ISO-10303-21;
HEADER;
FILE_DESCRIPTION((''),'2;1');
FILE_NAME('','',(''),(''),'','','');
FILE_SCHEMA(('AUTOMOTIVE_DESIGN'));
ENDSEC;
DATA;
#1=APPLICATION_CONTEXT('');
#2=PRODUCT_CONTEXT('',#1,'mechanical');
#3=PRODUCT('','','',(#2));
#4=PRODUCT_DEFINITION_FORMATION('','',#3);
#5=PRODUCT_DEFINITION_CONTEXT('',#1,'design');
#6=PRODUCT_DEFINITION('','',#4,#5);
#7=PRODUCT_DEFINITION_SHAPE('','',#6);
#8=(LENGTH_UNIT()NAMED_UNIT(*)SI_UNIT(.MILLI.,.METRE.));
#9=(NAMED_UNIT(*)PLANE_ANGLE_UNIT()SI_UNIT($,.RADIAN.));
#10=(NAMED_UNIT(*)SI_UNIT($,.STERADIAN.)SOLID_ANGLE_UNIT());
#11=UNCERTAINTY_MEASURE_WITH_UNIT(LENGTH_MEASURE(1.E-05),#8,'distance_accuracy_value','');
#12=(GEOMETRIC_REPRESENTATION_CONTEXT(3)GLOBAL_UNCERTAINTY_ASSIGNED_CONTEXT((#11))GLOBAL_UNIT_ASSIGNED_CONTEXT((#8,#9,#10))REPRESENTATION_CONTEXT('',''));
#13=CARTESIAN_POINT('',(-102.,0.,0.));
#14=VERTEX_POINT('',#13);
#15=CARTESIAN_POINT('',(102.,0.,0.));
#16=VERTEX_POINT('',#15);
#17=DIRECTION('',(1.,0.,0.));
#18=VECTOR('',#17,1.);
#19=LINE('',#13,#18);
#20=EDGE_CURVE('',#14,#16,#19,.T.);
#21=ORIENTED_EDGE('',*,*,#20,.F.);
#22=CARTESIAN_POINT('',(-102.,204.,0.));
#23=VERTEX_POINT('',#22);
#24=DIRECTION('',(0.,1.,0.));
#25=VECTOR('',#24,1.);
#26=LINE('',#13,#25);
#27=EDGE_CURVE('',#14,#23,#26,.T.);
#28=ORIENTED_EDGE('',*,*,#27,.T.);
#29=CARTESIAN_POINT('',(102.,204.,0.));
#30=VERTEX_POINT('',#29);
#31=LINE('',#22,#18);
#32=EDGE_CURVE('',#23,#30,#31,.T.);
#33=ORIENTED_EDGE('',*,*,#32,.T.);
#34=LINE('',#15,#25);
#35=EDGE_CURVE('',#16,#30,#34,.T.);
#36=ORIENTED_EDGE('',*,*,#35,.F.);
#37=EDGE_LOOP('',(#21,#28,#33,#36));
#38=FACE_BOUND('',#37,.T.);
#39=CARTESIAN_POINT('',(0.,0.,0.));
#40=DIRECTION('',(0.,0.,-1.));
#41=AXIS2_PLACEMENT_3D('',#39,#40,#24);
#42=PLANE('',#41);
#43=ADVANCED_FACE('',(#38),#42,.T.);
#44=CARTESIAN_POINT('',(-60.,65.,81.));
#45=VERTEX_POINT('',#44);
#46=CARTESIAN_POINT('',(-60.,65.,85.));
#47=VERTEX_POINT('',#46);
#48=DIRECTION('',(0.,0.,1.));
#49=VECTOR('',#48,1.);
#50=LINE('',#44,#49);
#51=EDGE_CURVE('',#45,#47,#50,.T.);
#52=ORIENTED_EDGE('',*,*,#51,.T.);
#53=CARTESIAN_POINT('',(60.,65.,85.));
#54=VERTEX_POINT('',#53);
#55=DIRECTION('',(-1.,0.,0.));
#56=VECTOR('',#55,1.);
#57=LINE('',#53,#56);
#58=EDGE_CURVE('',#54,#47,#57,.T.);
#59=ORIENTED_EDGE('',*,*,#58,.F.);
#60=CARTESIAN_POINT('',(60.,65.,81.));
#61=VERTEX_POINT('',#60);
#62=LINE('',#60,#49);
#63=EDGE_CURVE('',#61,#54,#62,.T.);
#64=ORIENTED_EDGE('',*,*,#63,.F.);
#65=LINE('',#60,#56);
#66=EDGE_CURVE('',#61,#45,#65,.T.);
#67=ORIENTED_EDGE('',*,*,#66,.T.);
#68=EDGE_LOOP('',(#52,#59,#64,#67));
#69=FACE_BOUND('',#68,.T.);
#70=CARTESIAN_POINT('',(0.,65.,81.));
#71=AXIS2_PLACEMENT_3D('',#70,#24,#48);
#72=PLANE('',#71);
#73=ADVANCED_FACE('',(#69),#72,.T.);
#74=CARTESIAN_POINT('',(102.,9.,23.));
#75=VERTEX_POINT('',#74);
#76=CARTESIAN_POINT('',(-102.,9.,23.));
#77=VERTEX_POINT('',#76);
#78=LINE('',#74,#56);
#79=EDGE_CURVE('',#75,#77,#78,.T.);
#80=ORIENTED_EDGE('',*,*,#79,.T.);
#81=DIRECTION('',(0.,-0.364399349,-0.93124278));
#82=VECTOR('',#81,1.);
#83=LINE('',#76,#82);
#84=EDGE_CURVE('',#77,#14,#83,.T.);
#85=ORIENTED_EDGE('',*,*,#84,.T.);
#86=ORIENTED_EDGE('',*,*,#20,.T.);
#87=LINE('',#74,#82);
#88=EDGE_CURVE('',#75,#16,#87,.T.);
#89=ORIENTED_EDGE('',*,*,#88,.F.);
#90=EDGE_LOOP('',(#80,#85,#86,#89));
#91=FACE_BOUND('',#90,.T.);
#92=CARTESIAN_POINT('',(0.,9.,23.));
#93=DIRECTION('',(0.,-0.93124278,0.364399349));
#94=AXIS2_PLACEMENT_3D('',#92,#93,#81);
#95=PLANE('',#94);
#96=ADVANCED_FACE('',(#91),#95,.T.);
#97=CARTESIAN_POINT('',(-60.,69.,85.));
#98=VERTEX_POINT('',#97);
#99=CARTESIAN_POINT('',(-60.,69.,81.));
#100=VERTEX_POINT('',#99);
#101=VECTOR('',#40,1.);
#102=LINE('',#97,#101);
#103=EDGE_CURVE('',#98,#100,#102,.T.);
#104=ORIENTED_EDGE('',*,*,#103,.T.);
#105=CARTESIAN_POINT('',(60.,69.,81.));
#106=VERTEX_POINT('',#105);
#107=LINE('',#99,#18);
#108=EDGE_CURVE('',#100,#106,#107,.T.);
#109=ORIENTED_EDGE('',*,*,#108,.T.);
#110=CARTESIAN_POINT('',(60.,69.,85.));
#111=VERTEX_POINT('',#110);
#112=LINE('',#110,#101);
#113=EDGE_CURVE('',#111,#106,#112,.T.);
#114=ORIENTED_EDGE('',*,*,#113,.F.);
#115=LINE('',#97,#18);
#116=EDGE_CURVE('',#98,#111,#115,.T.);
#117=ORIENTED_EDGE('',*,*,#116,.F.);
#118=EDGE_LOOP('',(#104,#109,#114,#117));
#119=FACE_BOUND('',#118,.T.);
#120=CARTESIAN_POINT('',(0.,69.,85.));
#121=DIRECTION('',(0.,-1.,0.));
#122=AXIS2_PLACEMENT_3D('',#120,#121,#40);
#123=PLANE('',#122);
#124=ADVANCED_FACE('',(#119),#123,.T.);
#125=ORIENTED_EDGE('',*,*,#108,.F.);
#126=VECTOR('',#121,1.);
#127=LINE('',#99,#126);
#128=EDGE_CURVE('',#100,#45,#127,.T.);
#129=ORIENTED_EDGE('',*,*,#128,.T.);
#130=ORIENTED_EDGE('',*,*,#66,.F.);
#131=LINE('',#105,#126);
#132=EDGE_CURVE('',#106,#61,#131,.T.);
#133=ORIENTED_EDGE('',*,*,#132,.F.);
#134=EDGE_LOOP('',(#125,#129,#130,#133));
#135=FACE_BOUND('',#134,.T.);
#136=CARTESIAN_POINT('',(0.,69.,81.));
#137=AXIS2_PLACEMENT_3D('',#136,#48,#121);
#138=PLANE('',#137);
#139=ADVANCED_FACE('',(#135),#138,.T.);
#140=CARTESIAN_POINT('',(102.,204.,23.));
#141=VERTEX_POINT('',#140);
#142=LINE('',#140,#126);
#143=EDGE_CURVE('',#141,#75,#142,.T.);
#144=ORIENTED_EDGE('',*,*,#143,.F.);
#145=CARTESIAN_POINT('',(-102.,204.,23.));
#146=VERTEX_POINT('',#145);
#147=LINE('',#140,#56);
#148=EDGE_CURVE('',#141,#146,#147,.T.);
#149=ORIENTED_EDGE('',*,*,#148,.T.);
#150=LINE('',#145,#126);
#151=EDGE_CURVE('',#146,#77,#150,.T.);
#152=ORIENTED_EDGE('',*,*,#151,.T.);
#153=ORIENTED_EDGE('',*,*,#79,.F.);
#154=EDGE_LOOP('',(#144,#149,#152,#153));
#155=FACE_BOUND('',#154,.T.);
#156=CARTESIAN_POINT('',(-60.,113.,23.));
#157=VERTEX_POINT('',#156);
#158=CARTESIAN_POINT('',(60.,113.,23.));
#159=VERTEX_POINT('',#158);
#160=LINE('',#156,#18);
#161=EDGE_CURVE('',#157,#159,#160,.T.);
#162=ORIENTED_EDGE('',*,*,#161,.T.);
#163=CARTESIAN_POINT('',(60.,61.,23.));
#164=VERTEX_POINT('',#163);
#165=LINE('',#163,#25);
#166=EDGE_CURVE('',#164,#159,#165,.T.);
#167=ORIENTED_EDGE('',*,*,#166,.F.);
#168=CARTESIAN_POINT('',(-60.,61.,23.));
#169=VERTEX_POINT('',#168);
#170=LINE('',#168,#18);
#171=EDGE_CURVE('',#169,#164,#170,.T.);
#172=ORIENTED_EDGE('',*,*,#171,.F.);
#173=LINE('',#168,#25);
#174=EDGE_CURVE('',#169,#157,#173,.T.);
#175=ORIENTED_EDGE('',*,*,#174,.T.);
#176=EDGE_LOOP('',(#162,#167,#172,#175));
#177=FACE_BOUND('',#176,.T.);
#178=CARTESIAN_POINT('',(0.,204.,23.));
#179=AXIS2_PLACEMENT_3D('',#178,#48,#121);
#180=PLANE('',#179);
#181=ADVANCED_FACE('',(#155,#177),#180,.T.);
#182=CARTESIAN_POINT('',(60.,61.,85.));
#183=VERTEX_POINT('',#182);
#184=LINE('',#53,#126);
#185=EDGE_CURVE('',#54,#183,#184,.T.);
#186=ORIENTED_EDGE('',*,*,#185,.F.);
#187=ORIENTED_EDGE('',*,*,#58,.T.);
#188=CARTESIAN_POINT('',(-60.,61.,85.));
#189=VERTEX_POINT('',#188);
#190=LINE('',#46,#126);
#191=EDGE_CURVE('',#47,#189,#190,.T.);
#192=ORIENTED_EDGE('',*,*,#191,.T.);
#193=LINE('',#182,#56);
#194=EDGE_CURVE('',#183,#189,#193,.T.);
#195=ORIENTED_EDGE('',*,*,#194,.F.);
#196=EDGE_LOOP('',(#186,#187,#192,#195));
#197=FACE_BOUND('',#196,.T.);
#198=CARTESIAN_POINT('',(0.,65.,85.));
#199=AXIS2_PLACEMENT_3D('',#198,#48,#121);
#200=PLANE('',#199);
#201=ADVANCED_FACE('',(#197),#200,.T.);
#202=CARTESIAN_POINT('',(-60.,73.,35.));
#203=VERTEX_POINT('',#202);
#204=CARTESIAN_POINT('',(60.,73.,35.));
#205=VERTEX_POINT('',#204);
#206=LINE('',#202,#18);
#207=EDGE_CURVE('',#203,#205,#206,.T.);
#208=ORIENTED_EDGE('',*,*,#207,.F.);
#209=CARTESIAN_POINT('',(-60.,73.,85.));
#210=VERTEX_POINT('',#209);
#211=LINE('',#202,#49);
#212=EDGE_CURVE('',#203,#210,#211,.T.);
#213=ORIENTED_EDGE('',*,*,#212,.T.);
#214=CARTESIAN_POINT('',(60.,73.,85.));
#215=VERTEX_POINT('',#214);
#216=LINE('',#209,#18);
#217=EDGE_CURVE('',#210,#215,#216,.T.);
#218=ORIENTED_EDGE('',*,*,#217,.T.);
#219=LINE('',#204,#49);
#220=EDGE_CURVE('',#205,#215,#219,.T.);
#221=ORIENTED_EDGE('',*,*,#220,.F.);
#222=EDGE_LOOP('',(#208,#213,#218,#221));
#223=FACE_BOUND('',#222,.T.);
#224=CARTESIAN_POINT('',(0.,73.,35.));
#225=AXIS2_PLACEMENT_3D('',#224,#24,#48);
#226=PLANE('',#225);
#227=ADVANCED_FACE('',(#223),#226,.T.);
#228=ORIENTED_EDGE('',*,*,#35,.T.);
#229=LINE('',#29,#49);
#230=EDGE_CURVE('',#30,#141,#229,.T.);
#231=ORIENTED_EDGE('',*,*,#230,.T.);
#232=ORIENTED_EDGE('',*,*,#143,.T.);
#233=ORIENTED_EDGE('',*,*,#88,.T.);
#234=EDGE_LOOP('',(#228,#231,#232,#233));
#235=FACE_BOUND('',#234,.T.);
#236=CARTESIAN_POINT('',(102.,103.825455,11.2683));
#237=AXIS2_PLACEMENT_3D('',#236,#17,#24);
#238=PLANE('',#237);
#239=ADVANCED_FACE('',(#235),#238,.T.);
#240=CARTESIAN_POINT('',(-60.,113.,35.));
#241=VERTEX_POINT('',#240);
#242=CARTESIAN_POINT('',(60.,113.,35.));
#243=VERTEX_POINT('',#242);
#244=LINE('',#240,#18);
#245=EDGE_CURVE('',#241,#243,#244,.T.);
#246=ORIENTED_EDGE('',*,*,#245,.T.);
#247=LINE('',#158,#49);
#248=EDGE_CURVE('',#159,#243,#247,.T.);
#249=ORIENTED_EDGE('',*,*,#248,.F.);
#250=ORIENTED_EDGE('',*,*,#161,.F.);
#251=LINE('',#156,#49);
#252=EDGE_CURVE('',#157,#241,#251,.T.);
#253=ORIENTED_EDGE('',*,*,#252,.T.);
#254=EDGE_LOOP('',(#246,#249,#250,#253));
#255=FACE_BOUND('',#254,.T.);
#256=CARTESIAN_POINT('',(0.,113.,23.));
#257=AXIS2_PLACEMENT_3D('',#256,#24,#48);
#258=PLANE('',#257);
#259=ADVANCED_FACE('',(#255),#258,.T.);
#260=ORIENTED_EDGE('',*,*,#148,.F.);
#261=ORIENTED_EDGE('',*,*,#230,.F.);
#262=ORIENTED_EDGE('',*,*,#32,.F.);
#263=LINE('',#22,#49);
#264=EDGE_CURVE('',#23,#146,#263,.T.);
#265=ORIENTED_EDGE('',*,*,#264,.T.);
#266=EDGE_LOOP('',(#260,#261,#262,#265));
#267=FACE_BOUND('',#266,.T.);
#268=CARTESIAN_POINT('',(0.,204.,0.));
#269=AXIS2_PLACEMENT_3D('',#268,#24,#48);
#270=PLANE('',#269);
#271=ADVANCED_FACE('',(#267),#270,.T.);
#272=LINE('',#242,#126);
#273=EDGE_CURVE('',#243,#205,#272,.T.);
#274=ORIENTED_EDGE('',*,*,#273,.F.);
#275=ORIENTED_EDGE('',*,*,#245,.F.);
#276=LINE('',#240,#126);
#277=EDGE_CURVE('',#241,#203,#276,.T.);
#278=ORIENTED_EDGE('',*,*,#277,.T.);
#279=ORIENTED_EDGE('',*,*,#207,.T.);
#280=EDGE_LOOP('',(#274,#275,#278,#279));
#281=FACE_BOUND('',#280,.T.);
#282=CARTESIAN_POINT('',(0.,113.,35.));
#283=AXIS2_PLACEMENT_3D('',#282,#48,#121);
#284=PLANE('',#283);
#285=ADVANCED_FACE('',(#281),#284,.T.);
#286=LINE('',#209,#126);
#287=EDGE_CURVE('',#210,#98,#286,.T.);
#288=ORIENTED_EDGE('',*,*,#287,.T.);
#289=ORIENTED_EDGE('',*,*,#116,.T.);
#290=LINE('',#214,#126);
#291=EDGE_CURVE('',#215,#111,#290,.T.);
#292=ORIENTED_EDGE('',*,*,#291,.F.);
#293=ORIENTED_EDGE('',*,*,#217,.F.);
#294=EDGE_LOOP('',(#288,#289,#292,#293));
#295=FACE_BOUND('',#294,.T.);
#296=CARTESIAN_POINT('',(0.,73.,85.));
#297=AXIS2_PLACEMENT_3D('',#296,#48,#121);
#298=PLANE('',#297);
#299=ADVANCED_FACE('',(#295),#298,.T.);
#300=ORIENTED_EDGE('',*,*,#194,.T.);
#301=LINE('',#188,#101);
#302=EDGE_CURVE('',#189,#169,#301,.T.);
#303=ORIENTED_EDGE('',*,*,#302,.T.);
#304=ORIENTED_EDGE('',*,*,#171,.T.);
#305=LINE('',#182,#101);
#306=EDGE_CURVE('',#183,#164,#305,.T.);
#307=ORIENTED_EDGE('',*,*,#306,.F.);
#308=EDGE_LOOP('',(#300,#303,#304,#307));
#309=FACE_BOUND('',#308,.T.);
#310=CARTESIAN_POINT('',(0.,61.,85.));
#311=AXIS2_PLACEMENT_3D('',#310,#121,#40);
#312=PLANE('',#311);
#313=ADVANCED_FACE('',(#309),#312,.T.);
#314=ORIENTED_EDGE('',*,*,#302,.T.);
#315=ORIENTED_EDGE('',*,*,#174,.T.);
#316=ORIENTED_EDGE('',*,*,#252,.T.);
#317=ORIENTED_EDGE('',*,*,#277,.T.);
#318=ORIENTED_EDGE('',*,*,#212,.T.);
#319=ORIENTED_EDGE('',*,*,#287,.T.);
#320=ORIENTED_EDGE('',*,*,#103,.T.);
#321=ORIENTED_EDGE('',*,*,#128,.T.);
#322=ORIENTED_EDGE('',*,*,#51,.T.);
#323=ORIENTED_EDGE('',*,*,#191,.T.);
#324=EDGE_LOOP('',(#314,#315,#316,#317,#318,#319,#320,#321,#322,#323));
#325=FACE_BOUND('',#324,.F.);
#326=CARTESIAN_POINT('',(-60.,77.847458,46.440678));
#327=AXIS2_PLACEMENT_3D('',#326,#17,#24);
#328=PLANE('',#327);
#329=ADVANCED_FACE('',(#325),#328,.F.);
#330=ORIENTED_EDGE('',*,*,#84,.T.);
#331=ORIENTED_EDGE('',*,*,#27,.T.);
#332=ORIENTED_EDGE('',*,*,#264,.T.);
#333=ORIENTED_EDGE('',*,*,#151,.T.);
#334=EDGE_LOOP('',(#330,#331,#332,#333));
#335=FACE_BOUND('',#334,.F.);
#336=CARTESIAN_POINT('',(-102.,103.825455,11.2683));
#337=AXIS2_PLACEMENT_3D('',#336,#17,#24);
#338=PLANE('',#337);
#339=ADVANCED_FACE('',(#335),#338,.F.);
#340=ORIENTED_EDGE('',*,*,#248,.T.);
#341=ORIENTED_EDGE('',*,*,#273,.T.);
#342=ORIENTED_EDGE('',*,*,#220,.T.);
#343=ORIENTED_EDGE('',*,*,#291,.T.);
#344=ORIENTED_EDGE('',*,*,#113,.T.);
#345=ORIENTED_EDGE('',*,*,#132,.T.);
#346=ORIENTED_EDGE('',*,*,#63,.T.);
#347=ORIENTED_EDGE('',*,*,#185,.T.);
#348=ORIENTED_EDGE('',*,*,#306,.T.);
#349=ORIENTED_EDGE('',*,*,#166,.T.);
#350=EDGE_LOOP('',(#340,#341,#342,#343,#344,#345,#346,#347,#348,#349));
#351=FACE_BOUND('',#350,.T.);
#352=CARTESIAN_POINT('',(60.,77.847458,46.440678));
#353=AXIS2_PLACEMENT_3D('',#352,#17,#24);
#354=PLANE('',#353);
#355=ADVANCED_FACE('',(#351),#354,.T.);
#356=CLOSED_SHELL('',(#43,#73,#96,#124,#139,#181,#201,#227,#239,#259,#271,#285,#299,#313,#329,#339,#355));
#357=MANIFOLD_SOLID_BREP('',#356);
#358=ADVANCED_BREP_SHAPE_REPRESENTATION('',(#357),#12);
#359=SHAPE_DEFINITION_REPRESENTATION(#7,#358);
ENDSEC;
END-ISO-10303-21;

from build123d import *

# Parameters (mm, degrees)
F1_DEPTH = 102
F2_DEPTH = 60


with BuildPart() as f1:
    # F0 (on Right) → F1 (new body, symmetric)
    with BuildSketch(Plane.YZ):
        Polygon((9, 23), (0, 0), (204, 0), (204, 23), (113, 23), (61, 23), align=None)
    extrude(amount=F1_DEPTH, both=True)

    # F0 (on Right) → F2 (join, symmetric)
    with BuildSketch(Plane.YZ):
        Polygon((61, 85), (61, 23), (113, 23), (113, 35), (73, 35), (73, 85), (69, 85), (69, 81), (65, 81), (65, 85), align=None)
    extrude(amount=F2_DEPTH, both=True)


solid = f1.part
